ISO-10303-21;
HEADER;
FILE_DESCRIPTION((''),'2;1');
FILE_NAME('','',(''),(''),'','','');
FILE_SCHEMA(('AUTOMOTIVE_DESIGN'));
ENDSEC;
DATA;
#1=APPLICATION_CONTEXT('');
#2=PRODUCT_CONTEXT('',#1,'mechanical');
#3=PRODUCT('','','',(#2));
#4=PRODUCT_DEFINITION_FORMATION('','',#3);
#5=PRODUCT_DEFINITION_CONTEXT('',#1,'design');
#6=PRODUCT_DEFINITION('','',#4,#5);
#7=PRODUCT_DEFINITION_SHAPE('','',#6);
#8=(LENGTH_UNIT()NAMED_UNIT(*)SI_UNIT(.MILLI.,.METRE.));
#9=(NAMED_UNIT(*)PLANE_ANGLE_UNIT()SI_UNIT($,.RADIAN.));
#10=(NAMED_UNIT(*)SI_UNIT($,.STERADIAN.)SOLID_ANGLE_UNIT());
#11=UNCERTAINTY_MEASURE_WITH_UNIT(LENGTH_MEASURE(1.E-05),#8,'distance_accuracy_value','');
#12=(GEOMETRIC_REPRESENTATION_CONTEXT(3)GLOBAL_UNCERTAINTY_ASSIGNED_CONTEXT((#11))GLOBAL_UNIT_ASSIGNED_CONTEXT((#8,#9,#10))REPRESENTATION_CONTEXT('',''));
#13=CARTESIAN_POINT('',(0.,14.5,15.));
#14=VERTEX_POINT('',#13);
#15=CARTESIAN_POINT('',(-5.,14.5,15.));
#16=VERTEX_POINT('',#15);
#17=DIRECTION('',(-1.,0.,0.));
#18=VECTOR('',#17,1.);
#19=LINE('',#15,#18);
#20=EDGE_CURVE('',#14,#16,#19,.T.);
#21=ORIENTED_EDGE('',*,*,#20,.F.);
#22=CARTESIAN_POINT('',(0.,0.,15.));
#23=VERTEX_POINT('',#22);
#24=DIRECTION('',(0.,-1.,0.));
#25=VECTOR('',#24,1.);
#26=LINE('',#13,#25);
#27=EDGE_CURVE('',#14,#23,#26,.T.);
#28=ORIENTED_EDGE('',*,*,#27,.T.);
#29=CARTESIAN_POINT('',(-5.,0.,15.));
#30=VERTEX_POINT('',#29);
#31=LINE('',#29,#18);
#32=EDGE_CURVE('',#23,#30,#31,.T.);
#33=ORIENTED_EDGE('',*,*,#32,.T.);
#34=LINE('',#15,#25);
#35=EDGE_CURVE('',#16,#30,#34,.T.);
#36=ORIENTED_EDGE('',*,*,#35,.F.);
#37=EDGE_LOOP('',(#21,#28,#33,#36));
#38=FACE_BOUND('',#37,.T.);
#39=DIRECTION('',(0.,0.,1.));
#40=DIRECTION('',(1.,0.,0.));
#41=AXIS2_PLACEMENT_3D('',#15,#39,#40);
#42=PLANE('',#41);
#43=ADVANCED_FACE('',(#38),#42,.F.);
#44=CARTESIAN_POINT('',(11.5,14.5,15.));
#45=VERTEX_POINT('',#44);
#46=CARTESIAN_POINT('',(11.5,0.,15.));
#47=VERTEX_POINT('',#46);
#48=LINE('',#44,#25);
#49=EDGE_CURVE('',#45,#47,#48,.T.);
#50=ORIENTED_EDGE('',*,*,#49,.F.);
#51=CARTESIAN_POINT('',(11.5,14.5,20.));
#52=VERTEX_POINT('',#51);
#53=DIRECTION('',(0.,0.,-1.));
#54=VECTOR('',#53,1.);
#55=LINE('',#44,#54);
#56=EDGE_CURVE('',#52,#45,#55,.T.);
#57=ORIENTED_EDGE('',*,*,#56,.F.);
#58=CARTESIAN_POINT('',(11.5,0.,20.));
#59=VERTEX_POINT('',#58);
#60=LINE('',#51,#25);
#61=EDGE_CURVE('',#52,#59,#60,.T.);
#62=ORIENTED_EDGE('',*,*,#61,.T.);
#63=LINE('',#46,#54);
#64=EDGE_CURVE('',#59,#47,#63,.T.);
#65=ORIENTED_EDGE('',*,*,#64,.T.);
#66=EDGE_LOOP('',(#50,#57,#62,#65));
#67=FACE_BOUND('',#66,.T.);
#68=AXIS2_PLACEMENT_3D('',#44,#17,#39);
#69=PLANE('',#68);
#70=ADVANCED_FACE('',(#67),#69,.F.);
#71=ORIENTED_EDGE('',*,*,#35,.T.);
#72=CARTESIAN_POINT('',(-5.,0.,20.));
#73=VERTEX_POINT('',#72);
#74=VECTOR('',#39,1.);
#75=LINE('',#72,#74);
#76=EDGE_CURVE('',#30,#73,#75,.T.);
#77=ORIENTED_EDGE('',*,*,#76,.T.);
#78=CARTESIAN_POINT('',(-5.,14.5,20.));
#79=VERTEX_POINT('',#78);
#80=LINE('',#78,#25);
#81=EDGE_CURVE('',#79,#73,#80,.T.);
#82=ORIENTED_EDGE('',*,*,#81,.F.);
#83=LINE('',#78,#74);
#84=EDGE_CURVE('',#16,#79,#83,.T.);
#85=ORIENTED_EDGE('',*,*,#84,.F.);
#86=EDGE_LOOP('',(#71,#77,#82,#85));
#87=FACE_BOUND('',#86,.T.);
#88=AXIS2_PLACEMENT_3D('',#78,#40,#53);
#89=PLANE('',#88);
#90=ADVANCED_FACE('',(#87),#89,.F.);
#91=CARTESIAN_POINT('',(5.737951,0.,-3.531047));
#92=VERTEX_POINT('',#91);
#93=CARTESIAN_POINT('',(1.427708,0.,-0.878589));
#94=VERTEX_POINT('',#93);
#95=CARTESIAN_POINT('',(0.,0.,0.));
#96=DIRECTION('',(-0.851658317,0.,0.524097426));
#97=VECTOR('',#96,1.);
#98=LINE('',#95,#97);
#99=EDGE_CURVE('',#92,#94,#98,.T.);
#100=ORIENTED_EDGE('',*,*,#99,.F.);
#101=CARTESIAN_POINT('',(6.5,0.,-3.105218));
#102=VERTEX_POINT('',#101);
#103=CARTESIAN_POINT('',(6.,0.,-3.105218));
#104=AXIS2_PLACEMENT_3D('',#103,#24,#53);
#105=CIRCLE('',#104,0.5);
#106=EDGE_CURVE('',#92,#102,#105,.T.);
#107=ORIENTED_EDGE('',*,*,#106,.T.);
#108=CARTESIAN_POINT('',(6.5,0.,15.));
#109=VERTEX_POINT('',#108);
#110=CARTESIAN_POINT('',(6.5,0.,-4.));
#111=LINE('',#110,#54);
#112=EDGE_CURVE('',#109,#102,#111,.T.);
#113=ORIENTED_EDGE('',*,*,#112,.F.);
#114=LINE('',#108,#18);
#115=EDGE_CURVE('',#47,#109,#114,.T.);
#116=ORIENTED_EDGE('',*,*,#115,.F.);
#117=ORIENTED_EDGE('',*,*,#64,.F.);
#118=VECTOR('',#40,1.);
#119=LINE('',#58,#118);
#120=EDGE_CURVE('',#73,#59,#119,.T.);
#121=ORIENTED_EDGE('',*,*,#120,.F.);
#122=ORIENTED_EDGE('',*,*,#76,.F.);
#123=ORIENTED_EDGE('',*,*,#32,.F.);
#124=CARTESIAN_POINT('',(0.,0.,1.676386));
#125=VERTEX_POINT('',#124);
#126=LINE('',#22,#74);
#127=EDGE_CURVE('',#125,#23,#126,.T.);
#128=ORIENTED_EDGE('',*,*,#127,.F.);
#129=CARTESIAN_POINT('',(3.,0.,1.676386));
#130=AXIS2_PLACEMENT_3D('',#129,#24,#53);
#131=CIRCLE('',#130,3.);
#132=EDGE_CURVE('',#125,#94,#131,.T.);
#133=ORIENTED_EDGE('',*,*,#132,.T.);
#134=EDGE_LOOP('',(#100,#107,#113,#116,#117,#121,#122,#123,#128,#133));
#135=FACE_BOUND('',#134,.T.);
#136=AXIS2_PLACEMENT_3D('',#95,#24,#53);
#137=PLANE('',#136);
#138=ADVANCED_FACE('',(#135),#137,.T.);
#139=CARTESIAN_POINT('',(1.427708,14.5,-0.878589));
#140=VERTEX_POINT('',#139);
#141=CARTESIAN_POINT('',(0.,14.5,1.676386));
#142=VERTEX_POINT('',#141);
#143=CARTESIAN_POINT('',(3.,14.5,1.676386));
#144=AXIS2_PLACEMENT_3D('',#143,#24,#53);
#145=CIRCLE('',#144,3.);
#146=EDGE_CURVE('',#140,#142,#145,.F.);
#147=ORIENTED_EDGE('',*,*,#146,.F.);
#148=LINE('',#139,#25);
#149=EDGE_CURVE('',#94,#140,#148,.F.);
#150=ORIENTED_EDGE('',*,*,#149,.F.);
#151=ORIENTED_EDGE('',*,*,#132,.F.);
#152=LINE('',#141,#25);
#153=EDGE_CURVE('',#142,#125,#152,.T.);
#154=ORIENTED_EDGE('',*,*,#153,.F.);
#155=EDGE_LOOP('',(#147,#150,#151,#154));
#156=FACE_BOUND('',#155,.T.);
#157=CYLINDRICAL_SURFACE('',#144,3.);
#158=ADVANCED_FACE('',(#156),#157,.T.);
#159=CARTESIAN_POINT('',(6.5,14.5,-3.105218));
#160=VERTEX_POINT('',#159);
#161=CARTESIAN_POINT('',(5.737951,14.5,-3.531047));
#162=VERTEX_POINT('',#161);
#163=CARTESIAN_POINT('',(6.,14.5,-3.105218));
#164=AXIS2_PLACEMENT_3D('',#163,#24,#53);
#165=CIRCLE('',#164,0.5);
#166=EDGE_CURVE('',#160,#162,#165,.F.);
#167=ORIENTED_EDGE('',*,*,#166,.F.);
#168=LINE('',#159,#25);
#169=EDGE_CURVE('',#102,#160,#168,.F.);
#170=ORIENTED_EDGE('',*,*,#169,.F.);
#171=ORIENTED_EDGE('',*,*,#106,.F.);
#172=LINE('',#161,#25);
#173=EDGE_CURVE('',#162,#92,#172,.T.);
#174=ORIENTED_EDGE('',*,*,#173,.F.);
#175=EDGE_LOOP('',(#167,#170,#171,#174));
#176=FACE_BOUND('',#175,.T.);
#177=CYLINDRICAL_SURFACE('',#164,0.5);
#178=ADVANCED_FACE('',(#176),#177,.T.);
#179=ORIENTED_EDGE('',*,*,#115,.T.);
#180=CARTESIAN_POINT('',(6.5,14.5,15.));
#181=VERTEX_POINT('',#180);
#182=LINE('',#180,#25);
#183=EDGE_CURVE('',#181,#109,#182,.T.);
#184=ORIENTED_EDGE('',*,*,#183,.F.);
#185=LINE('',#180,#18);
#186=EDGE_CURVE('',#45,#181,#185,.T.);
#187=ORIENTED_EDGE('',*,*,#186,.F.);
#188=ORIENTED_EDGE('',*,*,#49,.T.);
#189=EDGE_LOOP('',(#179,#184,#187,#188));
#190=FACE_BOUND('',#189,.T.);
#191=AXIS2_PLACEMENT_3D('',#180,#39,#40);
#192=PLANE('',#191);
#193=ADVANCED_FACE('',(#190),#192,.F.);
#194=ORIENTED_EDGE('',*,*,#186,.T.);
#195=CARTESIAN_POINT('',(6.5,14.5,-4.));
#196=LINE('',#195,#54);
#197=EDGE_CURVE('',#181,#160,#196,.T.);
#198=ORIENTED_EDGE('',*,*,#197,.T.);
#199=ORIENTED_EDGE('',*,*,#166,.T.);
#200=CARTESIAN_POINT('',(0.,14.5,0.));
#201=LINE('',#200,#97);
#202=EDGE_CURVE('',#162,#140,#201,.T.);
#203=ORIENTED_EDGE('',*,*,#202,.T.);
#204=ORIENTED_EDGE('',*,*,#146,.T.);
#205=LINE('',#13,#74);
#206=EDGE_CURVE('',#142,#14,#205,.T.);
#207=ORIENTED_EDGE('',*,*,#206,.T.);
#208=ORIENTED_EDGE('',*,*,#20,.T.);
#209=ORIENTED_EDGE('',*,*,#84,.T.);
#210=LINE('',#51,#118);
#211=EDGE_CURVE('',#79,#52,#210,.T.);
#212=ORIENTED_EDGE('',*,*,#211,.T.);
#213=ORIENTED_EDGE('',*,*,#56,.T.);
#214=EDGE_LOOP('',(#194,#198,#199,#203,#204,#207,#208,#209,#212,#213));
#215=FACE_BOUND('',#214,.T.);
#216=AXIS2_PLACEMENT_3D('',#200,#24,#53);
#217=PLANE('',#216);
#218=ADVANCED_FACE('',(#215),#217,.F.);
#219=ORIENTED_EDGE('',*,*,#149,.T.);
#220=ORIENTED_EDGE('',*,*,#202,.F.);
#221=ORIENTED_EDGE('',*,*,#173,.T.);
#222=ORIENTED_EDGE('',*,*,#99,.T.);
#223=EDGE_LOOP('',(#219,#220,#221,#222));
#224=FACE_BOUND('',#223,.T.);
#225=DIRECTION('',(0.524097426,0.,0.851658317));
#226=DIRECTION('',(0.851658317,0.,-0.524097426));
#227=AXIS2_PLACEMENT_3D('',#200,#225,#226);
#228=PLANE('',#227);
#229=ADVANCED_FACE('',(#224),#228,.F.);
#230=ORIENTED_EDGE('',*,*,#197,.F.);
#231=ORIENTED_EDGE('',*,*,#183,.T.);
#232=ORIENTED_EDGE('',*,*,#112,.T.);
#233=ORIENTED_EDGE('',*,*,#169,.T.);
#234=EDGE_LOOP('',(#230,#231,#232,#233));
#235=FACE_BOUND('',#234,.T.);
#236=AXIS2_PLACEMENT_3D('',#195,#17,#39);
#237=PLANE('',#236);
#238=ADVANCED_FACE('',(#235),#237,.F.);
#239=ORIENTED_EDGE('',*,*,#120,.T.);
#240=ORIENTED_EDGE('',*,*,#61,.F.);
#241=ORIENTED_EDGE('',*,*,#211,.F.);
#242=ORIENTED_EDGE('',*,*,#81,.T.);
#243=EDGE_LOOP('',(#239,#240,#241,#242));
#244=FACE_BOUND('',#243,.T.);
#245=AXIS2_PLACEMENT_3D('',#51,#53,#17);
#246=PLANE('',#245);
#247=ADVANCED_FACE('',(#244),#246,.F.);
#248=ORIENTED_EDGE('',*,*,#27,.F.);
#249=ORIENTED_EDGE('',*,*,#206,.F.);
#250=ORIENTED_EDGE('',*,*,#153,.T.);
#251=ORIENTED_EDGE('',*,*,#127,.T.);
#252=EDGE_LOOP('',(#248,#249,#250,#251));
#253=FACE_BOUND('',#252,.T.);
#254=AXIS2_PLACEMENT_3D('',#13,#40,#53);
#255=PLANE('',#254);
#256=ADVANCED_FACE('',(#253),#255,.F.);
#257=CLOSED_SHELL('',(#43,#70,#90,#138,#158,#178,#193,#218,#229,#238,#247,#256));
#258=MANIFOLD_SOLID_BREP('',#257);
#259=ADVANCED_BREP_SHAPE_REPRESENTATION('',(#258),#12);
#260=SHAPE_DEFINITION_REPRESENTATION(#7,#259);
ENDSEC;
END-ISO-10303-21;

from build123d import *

# Parameters (mm, degrees)
EXTRUDE_1_DEPTH = 14.5
FILLET_1_R      = 3
FILLET_2_R      = 0.5


with BuildPart() as part:
    # 草图1 → 凸台-拉伸1 (new body)
    with BuildSketch(Plane(origin=(0, 0, 0), x_dir=(1, 0, 0), z_dir=(0, 1, 0))):
        Polygon((0, 0), (6.5, 4), (6.5, -15), (11.5, -15), (11.5, -20), (-5, -20), (-5, -15), (0, -15), align=None)
    extrude(amount=EXTRUDE_1_DEPTH)

    # 圆角1
    fillet_1_edges = [part.edges().sort_by_distance(p)[0] for p in [
        (0, 7.25, 0),
    ]]
    fillet(fillet_1_edges, radius=FILLET_1_R)

    # 圆角2
    fillet_2_edges = [part.edges().sort_by_distance(p)[0] for p in [
        (6.5, 7.25, -4),
    ]]
    fillet(fillet_2_edges, radius=FILLET_2_R)


solid = part.part
